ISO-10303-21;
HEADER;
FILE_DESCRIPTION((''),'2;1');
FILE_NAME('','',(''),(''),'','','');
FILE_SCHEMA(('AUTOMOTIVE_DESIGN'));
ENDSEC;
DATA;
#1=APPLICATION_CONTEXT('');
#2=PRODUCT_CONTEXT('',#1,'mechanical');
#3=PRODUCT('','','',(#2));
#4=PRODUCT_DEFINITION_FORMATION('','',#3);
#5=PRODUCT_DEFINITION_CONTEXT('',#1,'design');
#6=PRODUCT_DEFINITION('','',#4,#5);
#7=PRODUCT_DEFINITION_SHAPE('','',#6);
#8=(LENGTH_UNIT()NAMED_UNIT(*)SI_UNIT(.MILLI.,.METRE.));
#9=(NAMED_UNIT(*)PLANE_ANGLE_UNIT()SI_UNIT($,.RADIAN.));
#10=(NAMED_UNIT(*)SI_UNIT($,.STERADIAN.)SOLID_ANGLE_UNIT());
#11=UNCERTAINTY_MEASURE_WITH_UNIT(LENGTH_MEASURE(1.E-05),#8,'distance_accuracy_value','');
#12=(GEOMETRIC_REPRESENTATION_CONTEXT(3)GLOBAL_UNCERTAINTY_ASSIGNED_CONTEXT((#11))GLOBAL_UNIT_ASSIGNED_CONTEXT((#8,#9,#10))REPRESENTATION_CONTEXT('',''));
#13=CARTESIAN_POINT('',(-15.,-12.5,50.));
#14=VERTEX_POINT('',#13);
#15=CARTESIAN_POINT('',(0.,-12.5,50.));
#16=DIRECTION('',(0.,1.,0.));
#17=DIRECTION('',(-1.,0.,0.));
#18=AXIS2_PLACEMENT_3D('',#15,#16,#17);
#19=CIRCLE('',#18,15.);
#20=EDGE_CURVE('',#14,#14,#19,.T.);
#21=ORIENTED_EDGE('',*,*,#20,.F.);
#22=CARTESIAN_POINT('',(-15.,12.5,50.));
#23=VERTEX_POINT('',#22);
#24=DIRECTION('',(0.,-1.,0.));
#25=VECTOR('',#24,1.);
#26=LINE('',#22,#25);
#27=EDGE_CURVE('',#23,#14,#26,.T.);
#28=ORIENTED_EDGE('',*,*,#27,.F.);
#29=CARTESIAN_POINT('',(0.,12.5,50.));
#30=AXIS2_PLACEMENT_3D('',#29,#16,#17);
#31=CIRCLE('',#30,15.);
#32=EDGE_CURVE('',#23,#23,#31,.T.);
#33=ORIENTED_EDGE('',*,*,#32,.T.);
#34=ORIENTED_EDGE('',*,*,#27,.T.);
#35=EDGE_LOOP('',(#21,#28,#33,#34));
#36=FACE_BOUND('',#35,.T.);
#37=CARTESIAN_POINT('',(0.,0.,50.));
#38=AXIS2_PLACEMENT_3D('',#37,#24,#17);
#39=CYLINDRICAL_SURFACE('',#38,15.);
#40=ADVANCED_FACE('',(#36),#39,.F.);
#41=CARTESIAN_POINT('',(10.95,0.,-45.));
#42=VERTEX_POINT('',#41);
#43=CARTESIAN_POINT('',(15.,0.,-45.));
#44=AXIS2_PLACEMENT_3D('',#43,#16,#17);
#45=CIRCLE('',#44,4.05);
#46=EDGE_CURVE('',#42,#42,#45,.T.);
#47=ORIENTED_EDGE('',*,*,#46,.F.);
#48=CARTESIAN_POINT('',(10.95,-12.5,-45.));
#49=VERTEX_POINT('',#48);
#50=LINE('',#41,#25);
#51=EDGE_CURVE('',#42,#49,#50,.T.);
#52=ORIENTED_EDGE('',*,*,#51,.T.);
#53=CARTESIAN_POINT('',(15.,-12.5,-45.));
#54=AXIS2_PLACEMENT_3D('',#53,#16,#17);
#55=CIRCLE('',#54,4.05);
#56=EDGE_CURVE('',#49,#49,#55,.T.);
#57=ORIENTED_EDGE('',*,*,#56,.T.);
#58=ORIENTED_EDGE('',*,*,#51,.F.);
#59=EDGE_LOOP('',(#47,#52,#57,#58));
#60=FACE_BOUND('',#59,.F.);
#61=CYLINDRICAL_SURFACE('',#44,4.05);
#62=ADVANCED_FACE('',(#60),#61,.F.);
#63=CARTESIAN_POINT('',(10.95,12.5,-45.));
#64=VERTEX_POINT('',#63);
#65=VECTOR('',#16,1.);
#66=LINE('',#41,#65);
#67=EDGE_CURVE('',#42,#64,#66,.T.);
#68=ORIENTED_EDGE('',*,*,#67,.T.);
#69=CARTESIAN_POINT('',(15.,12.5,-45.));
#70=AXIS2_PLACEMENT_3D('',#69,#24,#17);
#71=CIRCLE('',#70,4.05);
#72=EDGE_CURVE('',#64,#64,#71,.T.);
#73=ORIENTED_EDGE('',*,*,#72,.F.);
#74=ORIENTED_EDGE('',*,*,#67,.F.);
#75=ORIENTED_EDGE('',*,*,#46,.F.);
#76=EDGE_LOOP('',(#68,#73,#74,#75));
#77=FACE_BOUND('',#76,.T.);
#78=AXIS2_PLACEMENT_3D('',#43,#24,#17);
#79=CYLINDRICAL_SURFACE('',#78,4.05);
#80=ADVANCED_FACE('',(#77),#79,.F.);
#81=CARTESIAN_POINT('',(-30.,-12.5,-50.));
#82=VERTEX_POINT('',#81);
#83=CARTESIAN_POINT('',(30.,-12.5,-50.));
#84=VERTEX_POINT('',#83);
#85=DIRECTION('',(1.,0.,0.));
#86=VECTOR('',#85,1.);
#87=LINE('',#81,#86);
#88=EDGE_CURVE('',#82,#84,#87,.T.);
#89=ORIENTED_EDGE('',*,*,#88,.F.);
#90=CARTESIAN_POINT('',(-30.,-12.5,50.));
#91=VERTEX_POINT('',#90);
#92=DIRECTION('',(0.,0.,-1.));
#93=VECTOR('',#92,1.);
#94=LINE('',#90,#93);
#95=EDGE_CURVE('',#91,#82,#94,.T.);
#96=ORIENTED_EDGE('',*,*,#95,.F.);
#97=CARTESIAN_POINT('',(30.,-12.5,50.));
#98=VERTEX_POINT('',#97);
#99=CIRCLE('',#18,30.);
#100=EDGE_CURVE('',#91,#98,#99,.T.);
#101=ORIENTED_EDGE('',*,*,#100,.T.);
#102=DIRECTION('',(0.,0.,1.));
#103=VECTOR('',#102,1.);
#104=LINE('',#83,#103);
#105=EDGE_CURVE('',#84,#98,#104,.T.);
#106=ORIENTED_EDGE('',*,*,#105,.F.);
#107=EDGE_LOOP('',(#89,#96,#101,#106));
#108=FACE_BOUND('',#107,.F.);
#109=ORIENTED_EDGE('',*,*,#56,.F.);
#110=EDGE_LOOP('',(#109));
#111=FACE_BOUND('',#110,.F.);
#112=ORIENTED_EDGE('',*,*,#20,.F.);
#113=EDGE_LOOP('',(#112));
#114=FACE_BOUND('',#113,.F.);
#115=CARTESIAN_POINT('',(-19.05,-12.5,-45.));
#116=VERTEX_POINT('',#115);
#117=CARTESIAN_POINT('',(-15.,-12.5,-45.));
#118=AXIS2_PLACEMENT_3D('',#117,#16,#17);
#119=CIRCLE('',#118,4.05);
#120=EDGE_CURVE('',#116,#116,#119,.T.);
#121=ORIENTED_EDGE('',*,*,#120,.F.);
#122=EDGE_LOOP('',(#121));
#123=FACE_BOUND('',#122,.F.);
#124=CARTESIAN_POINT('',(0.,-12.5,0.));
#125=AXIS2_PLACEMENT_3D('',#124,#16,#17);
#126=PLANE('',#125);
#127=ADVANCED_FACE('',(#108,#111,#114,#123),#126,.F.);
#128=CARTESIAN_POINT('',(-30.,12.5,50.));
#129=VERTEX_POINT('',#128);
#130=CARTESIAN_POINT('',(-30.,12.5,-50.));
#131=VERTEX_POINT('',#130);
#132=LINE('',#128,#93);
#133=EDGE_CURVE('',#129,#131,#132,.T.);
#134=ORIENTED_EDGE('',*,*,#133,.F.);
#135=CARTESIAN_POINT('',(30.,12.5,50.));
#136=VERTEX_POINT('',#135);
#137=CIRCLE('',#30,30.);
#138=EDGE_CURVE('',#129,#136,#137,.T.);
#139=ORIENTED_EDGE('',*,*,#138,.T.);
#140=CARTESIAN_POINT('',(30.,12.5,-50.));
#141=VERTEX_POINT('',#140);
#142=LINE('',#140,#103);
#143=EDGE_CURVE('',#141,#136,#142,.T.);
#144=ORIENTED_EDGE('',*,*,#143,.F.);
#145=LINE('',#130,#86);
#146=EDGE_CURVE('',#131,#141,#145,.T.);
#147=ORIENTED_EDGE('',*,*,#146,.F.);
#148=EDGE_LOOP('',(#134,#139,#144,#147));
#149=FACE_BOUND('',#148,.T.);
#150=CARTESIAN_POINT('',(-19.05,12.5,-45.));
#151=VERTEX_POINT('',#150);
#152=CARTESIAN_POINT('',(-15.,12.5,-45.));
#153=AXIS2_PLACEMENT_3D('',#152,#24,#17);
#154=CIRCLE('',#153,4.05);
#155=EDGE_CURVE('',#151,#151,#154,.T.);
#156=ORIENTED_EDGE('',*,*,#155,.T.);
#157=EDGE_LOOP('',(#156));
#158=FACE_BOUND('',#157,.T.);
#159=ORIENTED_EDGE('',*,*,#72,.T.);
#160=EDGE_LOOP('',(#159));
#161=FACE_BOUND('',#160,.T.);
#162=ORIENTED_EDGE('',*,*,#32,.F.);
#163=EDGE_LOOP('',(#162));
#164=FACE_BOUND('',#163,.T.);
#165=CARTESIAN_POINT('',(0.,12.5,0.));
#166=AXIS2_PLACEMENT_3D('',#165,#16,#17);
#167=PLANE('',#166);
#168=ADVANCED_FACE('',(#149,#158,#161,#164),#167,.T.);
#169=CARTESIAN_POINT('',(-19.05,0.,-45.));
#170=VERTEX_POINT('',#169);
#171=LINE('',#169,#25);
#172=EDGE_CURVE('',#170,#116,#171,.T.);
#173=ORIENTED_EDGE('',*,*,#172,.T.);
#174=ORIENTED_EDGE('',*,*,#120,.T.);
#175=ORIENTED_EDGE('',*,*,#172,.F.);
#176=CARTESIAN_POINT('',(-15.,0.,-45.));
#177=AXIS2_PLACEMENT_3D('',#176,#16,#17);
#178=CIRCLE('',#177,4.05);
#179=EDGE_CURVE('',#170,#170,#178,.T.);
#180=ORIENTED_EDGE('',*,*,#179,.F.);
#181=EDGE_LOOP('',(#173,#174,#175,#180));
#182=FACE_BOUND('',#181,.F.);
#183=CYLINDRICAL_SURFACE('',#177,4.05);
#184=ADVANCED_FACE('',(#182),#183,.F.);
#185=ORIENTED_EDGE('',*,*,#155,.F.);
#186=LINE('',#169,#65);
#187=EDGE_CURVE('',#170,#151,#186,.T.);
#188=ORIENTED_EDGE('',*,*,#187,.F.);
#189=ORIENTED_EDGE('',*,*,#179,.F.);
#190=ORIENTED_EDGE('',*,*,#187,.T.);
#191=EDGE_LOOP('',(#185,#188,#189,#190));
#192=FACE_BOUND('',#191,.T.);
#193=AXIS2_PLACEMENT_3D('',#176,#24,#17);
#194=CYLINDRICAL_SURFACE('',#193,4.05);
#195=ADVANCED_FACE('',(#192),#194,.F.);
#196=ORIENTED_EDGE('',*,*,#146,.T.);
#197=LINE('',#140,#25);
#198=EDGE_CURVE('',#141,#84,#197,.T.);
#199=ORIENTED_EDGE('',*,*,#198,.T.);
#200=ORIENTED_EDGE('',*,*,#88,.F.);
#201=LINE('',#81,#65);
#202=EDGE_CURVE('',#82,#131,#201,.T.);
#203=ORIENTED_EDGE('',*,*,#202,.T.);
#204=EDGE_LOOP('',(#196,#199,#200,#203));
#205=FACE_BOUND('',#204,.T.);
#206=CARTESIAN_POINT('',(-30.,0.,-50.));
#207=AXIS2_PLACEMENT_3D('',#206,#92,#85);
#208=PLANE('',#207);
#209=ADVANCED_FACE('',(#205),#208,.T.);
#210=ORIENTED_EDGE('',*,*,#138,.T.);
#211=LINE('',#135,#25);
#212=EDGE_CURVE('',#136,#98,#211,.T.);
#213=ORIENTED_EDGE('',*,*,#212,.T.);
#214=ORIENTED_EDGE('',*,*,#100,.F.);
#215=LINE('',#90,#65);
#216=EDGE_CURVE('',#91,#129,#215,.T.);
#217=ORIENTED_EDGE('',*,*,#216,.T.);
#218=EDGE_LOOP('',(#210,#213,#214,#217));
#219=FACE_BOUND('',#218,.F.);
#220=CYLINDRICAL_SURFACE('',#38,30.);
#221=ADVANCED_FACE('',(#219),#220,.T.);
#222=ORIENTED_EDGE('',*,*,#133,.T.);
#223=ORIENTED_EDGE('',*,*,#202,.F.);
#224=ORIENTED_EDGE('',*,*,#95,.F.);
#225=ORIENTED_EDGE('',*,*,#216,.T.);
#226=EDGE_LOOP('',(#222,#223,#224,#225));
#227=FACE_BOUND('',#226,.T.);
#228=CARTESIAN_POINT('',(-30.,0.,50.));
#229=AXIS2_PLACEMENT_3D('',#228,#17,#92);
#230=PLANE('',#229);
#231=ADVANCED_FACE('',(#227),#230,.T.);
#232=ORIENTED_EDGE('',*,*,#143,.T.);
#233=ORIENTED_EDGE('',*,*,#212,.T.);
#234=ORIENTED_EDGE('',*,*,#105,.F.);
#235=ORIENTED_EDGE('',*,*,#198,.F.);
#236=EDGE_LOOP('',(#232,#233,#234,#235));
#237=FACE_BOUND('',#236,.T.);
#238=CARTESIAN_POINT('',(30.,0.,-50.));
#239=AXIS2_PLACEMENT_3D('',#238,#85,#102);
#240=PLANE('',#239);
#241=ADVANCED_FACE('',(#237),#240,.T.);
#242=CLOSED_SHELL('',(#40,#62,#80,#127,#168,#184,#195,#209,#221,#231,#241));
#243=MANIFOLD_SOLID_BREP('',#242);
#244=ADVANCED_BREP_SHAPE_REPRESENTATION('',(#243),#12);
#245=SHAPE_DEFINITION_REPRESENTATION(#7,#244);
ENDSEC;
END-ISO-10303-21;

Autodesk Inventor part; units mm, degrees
ref_plane "YZ Plane" through (0, 0, 0) normal (1, 0, 0) x (0, 1, 0)
ref_plane "XZ Plane" through (0, 0, 0) normal (0, 1, 0) x (-1, 0, 0)
ref_plane "XY Plane" through (0, 0, 0) normal (0, 0, 1) x (1, 0, 0)
sketch "Sketch1" plane through (0, 0, 0) normal (0, 1, 0) x (-1, 0, 0)
  line L0 (30, -50) -> (-30, -50)
  line L1 (-30, -50) -> (-30, 50)
  arc A0 (30, 50) -> (-30, 50) centre (0, 50) ccw
  line L2 (30, 50) -> (30, -50)
  circle A1 centre (0, 50) radius 15
  point P0 (0, 0)
  point P1 (30, 0)
  dimension "d0" = 60
  dimension "d1" = 100
  dimension "d2" = 30
extrude "Extrusion1" add sketch "Sketch1" along normal mid plane 25
sketch "Sketch2" plane through (0, 0, 0) normal (0, 1, 0) x (-1, 0, 0)
  line L0 (-30, -50) -> (-30, 50) construction
  arc A0 (30, 50) -> (-30, 50) centre (0, 50) ccw construction
  line L1 (30, 50) -> (30, -50) construction
  line L2 (30, -50) -> (-30, -50) construction
  circle A1 centre (0, 50) radius 15 construction
  line L3 (30, 50) -> (30, -50) construction
  line L4 (30, -40) -> (-30, -40) construction
  line L5 (-30, -50) -> (-30, 50) construction
  line L6 (0, -40) -> (0, -50) construction
  circle A2 centre (15, -45) radius 4.05
  circle A3 centre (-15, -45) radius 4.05
  point P0 (0, 0)
  point P1 (0, -45)
  dimension "d5" = 10
  dimension "d6" = 8.1
  dimension "d7" = 30
extrude "Extrusion2" cut sketch "Sketch2" along normal through all both and the other way through all
properties part number "element2_obj4"
